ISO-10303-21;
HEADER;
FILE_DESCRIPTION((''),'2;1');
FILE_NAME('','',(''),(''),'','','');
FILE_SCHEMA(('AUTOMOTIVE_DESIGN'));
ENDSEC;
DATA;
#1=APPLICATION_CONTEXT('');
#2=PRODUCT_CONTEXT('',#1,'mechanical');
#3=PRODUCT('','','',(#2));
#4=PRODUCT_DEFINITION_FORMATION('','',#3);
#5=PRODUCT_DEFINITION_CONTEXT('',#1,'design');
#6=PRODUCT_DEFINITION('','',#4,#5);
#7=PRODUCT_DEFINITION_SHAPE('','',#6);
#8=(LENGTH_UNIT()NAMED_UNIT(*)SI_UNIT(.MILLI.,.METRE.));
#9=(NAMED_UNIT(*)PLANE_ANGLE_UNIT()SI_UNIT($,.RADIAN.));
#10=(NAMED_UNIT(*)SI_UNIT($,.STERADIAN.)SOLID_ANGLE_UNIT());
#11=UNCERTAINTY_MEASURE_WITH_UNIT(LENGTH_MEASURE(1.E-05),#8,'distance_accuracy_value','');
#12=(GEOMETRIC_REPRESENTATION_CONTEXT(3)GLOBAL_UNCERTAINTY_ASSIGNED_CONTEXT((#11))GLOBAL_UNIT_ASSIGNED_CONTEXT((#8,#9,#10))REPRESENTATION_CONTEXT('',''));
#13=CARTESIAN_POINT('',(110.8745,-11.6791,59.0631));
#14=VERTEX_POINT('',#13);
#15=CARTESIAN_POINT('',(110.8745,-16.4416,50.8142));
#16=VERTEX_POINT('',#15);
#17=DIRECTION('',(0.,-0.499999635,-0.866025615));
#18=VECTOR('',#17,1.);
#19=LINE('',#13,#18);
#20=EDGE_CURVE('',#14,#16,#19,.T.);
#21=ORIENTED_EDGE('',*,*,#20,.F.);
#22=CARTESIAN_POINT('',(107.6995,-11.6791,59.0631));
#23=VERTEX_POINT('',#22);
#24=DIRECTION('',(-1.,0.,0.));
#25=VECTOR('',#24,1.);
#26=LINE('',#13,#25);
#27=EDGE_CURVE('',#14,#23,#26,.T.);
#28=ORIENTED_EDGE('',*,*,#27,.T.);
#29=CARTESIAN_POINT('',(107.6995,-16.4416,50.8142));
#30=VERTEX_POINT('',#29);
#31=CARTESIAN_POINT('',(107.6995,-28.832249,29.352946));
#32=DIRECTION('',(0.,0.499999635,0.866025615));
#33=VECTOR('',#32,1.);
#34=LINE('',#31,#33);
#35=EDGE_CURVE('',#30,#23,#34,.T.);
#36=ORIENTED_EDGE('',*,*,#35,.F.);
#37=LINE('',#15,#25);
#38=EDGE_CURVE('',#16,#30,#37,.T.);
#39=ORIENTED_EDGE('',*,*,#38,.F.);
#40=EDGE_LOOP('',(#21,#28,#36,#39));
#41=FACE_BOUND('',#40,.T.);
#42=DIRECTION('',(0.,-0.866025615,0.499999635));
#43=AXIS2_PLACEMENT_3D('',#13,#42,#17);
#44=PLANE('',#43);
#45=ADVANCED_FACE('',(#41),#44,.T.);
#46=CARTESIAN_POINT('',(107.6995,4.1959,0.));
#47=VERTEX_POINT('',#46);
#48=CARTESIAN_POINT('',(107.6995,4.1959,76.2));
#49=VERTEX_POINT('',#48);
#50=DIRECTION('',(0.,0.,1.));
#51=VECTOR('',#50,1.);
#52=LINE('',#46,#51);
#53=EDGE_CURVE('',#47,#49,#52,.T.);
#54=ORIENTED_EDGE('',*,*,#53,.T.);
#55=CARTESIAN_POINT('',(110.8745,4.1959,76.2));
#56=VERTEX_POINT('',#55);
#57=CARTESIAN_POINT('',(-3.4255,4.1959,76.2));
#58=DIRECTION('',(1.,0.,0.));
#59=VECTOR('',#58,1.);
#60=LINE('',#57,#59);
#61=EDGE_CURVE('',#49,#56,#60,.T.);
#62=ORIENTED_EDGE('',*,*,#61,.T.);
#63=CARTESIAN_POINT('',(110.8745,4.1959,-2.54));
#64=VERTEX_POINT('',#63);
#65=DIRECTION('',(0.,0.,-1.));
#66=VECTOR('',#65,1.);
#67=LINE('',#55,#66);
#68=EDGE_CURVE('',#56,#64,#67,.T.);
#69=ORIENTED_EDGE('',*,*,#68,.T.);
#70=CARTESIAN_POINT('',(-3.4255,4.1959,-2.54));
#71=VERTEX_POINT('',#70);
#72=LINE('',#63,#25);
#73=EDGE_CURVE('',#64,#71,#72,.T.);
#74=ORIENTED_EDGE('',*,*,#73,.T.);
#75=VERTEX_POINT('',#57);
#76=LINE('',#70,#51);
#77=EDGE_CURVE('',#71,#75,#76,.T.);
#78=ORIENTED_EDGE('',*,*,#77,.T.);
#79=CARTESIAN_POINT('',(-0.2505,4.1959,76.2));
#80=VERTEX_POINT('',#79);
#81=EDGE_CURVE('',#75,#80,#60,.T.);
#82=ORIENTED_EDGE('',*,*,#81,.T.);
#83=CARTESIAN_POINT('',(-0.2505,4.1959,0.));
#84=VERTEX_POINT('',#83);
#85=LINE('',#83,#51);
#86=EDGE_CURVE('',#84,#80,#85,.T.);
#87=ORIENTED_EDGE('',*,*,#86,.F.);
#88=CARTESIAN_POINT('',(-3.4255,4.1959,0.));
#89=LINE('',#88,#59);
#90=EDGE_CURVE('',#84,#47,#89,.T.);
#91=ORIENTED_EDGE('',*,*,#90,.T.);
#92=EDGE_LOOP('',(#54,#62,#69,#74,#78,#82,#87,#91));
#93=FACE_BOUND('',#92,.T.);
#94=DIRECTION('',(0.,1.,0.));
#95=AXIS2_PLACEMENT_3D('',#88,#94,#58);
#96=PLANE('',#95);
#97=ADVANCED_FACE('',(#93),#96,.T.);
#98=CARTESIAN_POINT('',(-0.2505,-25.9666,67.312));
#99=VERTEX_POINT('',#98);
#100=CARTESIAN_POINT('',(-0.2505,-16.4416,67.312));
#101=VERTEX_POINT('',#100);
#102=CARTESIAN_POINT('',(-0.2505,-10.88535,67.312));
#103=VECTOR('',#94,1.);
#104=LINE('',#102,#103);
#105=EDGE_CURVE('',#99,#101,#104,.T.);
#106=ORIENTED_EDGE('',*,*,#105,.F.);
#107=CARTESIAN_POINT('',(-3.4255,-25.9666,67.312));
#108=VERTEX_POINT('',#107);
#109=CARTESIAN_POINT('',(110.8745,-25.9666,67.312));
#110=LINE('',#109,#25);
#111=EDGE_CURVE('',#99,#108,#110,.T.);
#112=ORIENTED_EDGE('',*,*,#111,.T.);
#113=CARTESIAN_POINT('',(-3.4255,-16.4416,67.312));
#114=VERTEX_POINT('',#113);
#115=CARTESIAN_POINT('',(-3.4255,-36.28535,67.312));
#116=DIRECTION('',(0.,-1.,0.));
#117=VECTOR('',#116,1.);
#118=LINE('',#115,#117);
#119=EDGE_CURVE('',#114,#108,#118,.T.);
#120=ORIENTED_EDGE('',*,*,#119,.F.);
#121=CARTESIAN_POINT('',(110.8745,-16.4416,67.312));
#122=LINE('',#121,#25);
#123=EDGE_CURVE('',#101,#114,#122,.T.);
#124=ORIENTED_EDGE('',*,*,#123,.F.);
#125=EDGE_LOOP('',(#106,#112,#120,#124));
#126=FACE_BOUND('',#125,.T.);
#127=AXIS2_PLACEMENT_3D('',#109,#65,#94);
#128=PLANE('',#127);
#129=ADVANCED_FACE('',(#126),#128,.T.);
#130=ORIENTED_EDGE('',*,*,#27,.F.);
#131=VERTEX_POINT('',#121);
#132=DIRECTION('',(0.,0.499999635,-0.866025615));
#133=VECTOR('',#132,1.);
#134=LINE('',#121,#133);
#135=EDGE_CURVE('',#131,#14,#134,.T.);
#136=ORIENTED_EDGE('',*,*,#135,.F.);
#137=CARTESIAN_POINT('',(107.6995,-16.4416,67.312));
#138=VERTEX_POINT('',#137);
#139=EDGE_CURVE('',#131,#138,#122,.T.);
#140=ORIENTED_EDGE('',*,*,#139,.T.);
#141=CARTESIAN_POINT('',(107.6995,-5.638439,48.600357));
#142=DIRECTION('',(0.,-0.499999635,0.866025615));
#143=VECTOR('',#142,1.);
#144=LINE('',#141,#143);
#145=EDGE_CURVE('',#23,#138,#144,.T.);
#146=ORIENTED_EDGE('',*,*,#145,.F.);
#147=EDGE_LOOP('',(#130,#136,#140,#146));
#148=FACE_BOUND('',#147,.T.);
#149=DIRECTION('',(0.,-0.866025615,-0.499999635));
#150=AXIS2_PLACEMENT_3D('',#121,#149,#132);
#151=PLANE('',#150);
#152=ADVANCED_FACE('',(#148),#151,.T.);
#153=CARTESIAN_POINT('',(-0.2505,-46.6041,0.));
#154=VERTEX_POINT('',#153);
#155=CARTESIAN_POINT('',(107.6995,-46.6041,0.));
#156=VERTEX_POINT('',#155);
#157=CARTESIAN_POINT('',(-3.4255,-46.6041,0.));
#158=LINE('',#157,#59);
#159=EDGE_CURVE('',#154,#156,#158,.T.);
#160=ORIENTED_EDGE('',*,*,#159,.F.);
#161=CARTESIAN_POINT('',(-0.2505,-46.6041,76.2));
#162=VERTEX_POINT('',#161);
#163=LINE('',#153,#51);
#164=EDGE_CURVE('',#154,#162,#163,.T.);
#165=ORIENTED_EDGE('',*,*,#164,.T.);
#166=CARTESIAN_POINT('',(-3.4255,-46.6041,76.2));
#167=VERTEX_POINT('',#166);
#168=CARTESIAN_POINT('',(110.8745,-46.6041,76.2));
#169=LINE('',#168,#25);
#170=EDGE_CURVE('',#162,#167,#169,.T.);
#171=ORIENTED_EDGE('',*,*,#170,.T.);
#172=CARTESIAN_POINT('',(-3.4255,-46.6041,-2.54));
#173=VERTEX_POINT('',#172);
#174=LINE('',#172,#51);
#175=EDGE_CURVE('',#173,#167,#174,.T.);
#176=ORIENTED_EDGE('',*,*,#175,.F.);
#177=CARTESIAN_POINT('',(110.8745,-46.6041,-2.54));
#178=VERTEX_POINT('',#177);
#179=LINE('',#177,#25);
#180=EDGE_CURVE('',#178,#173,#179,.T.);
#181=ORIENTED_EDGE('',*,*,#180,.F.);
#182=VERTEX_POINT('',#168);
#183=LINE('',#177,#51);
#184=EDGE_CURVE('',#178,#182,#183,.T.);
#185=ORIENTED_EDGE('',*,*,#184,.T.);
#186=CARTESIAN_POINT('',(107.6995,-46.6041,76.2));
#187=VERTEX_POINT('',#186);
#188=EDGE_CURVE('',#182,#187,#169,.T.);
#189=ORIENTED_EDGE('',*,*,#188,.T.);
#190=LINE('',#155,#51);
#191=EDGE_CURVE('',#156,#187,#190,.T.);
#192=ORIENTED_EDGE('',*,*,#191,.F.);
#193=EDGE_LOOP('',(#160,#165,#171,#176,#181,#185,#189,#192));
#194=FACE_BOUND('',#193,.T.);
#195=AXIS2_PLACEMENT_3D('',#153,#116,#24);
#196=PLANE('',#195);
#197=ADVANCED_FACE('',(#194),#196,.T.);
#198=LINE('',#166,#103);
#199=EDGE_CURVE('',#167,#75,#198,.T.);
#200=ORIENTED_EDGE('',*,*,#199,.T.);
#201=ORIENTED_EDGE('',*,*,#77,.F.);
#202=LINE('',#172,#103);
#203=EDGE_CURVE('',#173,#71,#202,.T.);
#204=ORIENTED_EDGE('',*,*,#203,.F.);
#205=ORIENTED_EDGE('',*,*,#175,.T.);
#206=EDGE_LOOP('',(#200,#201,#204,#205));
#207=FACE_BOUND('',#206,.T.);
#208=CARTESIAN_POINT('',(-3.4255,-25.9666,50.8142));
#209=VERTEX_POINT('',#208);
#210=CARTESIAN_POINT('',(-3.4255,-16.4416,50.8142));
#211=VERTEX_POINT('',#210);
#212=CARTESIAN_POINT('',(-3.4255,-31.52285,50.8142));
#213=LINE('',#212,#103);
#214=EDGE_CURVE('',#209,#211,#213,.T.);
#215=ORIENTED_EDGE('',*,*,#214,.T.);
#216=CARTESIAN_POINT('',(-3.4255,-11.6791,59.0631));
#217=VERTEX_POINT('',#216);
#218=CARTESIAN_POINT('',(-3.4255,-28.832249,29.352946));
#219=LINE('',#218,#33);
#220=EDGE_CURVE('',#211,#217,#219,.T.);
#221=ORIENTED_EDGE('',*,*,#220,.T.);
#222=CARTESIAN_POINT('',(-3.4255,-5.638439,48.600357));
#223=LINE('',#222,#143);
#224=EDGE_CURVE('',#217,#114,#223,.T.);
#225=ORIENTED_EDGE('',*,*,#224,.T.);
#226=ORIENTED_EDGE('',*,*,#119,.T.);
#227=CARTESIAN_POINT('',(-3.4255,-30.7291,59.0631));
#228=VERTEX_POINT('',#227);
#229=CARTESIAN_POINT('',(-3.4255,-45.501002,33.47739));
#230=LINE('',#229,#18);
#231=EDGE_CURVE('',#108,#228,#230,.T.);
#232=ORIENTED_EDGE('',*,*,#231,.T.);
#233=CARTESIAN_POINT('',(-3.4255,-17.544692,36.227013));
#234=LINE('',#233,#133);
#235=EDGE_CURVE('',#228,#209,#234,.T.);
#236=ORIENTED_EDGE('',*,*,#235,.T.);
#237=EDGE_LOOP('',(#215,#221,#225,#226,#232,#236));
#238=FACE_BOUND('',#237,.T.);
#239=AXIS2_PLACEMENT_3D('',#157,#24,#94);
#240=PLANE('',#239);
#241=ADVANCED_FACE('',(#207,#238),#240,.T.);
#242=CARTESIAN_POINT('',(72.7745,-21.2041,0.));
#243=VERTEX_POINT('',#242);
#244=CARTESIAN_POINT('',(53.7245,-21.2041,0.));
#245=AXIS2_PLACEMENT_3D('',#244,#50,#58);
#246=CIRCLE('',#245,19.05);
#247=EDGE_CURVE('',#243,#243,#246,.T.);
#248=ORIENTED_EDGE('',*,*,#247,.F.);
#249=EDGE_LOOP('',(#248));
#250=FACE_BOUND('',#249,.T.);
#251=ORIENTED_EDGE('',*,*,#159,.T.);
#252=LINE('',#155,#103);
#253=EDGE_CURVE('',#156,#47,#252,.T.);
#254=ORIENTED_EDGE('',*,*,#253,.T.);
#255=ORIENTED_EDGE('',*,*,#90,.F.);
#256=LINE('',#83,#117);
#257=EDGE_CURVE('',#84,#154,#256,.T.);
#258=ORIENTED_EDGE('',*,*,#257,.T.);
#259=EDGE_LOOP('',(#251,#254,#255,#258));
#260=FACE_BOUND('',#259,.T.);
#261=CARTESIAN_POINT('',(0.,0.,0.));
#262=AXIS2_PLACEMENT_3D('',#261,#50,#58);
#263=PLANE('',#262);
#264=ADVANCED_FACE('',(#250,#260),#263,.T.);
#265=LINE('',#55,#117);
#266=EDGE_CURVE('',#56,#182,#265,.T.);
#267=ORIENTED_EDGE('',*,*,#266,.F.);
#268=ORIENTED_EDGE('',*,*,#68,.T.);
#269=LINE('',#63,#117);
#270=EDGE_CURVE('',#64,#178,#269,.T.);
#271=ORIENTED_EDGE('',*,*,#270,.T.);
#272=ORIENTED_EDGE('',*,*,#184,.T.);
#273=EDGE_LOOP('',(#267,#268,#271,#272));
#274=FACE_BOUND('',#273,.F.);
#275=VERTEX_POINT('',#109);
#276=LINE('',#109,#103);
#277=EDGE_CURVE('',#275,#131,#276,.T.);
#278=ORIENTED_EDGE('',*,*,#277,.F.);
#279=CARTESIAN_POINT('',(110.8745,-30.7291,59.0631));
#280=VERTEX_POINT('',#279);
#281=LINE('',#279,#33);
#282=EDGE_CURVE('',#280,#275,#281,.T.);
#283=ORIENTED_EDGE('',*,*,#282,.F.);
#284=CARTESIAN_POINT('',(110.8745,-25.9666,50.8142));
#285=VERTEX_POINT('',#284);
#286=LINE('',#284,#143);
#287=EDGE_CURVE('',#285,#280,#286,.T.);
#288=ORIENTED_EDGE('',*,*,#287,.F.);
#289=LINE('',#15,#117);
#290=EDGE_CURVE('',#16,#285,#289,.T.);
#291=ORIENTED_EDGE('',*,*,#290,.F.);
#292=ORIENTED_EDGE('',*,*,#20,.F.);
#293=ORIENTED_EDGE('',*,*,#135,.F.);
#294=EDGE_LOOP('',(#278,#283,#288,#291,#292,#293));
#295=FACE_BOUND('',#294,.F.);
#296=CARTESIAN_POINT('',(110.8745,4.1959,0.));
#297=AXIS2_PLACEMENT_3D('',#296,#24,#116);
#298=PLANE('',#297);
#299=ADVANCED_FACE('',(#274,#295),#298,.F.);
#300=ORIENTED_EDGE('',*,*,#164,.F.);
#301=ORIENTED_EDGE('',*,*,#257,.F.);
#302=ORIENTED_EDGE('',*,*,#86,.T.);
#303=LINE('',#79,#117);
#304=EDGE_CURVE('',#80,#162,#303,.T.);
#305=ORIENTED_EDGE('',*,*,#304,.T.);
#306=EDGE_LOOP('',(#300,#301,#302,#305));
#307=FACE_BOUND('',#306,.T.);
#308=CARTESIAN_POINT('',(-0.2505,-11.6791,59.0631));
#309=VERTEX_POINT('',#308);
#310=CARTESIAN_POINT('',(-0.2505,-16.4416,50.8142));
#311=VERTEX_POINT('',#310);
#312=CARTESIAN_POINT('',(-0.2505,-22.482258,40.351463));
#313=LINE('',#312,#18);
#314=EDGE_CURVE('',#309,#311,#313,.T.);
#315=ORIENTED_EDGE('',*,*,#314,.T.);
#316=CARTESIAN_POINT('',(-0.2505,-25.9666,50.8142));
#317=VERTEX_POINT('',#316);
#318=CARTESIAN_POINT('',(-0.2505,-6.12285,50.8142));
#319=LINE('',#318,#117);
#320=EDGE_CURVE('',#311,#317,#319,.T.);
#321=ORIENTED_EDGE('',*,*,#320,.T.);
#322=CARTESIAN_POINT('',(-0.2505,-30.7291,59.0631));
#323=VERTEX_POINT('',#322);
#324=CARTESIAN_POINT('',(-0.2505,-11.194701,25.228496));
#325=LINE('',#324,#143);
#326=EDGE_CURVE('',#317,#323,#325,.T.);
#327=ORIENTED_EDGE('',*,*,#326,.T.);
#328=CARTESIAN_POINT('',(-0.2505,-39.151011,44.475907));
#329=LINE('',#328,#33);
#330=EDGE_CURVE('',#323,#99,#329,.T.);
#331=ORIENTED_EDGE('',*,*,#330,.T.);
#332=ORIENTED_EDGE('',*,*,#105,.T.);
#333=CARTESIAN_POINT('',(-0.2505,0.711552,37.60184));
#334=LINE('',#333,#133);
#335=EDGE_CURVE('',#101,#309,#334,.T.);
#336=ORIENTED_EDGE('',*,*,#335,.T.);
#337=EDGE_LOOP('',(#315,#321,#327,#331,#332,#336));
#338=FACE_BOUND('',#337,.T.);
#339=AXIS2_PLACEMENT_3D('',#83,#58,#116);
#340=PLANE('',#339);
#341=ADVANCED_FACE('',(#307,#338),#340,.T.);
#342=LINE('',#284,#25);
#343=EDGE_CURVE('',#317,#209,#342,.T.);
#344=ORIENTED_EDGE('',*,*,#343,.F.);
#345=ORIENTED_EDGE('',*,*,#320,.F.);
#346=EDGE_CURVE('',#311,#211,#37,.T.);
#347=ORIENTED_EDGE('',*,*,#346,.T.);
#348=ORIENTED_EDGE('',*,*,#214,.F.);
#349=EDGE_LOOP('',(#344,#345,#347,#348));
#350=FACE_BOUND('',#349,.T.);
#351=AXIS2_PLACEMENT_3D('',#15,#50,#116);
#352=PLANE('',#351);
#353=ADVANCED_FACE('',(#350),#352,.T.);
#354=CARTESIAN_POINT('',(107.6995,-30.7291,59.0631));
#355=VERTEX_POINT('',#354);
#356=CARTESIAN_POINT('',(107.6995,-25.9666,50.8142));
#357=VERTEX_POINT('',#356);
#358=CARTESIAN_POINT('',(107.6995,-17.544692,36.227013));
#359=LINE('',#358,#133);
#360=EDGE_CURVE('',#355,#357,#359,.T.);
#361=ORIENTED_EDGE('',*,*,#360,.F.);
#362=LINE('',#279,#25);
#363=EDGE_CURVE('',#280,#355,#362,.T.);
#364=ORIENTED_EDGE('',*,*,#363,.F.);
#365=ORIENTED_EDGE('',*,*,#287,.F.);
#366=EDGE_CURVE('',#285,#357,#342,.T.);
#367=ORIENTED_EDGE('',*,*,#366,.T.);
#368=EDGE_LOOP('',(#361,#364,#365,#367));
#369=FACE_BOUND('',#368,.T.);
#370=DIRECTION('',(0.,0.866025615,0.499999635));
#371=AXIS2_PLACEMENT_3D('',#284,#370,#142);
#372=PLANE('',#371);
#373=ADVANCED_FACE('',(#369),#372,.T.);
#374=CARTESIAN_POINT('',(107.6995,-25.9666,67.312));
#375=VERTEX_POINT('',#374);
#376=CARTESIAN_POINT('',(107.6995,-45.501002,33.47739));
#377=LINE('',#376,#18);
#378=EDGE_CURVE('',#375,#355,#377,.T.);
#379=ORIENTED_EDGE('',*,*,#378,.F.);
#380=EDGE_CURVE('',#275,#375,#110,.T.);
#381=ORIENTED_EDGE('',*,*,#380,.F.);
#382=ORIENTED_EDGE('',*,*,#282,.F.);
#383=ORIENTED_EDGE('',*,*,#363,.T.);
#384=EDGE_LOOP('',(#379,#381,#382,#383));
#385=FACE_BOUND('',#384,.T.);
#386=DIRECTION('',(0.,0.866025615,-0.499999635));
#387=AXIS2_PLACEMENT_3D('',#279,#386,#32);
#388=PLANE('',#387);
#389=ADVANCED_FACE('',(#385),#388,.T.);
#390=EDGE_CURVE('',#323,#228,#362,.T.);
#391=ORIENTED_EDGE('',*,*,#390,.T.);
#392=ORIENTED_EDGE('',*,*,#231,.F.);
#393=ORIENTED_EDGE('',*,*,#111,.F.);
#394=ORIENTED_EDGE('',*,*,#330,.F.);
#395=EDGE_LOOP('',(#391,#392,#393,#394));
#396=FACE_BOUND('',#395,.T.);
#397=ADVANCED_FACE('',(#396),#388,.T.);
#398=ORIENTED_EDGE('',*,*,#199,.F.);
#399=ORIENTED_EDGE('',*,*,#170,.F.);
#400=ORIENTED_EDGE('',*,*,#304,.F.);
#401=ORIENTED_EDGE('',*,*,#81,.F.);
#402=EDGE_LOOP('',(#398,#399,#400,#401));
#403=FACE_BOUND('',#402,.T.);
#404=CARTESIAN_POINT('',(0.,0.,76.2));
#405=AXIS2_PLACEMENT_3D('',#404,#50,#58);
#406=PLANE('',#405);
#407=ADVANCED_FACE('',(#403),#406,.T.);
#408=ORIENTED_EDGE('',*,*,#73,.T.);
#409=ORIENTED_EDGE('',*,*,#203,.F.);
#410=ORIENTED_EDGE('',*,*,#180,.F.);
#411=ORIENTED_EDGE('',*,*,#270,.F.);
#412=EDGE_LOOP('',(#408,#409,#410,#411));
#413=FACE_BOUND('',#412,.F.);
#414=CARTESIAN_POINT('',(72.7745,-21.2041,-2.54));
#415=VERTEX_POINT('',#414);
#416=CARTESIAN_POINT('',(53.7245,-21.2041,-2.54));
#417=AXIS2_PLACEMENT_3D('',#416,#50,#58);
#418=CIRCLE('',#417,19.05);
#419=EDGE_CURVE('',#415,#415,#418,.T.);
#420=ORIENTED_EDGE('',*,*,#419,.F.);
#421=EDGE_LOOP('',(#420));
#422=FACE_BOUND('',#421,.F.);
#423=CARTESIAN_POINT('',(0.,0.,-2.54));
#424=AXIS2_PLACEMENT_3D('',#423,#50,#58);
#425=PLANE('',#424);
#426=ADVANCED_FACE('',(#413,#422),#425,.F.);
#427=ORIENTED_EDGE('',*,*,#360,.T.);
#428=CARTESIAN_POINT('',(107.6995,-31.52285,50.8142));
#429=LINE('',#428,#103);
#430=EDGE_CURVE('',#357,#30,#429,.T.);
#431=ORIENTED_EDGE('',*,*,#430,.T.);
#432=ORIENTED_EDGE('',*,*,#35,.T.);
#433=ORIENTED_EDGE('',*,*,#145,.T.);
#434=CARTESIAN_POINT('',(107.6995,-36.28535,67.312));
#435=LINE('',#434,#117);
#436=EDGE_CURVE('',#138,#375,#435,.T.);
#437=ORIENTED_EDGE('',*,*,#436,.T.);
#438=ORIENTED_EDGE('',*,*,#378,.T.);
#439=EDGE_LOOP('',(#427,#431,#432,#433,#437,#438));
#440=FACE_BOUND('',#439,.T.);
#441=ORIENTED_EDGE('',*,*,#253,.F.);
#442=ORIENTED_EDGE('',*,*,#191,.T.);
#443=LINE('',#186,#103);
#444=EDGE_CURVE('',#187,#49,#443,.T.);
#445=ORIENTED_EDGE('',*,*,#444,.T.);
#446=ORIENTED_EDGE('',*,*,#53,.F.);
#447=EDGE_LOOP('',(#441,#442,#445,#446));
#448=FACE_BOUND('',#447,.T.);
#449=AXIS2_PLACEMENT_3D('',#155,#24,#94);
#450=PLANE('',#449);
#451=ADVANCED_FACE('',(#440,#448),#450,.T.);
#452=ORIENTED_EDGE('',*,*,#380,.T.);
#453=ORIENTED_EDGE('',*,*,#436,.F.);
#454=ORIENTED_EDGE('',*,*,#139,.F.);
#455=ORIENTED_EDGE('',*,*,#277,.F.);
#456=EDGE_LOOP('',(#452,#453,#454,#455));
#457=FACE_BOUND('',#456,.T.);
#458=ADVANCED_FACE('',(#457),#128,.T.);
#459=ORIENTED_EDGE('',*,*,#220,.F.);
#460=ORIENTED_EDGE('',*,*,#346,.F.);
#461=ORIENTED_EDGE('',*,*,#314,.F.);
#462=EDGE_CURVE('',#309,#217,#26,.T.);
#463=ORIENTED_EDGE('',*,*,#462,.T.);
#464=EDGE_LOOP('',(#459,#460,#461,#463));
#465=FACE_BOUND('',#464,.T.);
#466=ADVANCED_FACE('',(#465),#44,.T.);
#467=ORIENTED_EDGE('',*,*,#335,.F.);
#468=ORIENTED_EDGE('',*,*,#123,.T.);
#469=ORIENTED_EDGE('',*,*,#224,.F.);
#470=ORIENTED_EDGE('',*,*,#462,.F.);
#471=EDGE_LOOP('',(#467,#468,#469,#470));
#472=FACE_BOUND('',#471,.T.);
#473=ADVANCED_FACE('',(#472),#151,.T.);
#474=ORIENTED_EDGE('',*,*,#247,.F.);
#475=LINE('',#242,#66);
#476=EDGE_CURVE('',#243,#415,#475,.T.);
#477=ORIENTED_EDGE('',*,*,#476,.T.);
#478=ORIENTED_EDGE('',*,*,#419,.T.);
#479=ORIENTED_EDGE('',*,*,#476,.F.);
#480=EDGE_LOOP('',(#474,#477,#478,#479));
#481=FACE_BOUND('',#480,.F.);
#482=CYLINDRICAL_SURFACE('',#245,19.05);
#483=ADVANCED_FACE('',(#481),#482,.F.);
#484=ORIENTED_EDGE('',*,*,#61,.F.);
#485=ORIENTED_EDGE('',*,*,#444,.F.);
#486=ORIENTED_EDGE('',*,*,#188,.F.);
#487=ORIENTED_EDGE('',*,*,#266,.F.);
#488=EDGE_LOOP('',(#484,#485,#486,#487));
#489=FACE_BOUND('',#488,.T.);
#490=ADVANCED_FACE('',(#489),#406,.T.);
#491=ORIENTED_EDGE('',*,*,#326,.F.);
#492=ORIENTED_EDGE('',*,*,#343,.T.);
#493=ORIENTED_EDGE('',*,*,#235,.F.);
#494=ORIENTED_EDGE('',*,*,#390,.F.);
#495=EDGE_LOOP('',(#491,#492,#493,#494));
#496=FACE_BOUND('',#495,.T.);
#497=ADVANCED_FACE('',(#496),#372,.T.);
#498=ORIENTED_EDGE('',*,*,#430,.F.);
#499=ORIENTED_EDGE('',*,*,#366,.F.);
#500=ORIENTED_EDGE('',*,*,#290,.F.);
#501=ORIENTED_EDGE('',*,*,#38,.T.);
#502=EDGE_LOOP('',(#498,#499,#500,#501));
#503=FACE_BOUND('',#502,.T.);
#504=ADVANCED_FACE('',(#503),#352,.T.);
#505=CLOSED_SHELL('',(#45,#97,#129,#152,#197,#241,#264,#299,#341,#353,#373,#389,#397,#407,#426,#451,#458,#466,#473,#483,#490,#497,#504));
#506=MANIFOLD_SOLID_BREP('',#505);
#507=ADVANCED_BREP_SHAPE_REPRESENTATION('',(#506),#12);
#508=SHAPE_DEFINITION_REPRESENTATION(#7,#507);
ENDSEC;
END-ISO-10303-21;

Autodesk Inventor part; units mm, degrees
ref_plane "YZ Plane" through (0, 0, 0) normal (1, 0, 0) x (0, 1, 0)
ref_plane "XZ Plane" through (0, 0, 0) normal (0, 1, 0) x (-1, 0, 0)
sketch "Sketch1" plane through (0, 0, 0) normal (0, 0, 1) x (1, 0, 0)
  line L0 (-3.4255, 4.1959) -> (110.8745, 4.1959)
  line L1 (110.8745, 4.1959) -> (110.8745, -46.6041)
  line L2 (110.8745, -46.6041) -> (-3.4255, -46.6041)
  line L3 (-3.4255, -46.6041) -> (-3.4255, 4.1959)
  circle A0 centre (53.7245, -21.2041) radius 19.05
  line L4 (-0.2505, 4.1959) -> (-0.2505, -46.6041)
  line L5 (107.6995, -46.6041) -> (107.6995, 4.1959)
  point P0 (0, 0)
  dimension "d0" = 114.3
  dimension "d1" = 50.8
  dimension "d2" = 38.1
  dimension "d3" = 57.15
  dimension "d4" = 25.4
  dimension "d5" = 3.175
  dimension "d6" = 3.175
extrude "Extrusion1" add sketch "Sketch1" along normal blind 76.2 contours L0 L4 L2 L3 | L0 L1 L2 L5
extrude "Extrusion2" add sketch "Sketch1" against normal blind 2.54
ref_plane "Work Plane2" through (110.8745, -46.6041, 76.2) normal (1, 0, 0) x (0, 0, -1)
sketch "Sketch3" plane through (110.8745, -46.6041, 76.2) normal (1, 0, 0) x (0, 0, -1)
  line L0 (8.888, 20.6375) -> (8.888, 30.1625)
  line L1 (8.888, 30.1625) -> (17.1369, 34.925)
  line L2 (17.1369, 34.925) -> (25.3858, 30.1625)
  line L3 (25.3858, 30.1625) -> (25.3858, 20.6375)
  line L4 (25.3858, 20.6375) -> (17.1369, 15.875)
  line L5 (17.1369, 15.875) -> (8.888, 20.6375)
  line L6 (0, 0) -> (0, 50.8) projected
  line L7 (78.74, 0) -> (0, 0) projected
  point P0 (76.2, 46.6041)
  dimension "d12" = 9.525
  dimension "d13" = 9.525
  dimension "d14" = 120
  dimension "d15" = 9.525
  dimension "d16" = 120
  dimension "d17" = 9.525
  dimension "d18" = 120
  dimension "d19" = 8.888
  dimension "d20" = 15.875
extrude "Extrusion3" cut sketch "Sketch3" against normal blind 127
properties part number "shaft to bicep" material "CFRP"
